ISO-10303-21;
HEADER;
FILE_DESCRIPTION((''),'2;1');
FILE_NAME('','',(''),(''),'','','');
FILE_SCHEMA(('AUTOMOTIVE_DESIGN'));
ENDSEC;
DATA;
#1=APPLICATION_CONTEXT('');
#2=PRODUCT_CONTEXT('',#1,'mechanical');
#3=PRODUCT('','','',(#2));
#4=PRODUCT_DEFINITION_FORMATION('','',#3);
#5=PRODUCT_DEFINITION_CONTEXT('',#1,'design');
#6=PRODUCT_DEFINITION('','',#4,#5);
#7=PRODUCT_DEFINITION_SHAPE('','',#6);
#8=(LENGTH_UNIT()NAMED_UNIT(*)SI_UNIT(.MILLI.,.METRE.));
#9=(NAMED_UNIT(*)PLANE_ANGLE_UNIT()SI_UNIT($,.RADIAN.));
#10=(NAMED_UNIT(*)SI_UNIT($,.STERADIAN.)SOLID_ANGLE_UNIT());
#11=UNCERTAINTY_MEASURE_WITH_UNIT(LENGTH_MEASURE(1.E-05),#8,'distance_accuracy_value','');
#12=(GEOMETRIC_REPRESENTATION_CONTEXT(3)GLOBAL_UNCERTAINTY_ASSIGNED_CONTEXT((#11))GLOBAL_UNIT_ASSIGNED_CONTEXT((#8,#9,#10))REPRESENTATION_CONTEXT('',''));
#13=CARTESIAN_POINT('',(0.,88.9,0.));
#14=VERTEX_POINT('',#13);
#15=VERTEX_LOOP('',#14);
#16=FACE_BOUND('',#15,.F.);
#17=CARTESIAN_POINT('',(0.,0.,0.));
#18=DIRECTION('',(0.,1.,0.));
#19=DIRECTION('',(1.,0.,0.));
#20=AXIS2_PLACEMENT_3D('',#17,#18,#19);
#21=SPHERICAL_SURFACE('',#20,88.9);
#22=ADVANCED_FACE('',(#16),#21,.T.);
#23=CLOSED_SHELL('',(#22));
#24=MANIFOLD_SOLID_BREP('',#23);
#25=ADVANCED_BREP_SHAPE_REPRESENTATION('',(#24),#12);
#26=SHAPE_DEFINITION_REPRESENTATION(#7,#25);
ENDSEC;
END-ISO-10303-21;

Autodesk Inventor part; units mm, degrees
ref_plane "YZ Plane" through (0, 0, 0) normal (1, 0, 0) x (0, 1, 0)
ref_plane "XZ Plane" through (0, 0, 0) normal (0, 1, 0) x (-1, 0, 0)
ref_plane "XY Plane" through (0, 0, 0) normal (0, 0, 1) x (1, 0, 0)
sketch "Sketch1" plane through (0, 0, 0) normal (0, 0, 1) x (1, 0, 0)
  arc A0 (0, -88.9) -> (0, 88.9) centre (0, 0) ccw
  line L0 (0, 88.9) -> (0, -88.9)
  point P0 (0, 0)
  dimension "d0" = 177.8
revolve "Revolution1" add sketch "Sketch1" angle 360 about axis through (0, 88.9, 0) along (0, -1, 0)
properties part number "FRC 2016 Ball"
